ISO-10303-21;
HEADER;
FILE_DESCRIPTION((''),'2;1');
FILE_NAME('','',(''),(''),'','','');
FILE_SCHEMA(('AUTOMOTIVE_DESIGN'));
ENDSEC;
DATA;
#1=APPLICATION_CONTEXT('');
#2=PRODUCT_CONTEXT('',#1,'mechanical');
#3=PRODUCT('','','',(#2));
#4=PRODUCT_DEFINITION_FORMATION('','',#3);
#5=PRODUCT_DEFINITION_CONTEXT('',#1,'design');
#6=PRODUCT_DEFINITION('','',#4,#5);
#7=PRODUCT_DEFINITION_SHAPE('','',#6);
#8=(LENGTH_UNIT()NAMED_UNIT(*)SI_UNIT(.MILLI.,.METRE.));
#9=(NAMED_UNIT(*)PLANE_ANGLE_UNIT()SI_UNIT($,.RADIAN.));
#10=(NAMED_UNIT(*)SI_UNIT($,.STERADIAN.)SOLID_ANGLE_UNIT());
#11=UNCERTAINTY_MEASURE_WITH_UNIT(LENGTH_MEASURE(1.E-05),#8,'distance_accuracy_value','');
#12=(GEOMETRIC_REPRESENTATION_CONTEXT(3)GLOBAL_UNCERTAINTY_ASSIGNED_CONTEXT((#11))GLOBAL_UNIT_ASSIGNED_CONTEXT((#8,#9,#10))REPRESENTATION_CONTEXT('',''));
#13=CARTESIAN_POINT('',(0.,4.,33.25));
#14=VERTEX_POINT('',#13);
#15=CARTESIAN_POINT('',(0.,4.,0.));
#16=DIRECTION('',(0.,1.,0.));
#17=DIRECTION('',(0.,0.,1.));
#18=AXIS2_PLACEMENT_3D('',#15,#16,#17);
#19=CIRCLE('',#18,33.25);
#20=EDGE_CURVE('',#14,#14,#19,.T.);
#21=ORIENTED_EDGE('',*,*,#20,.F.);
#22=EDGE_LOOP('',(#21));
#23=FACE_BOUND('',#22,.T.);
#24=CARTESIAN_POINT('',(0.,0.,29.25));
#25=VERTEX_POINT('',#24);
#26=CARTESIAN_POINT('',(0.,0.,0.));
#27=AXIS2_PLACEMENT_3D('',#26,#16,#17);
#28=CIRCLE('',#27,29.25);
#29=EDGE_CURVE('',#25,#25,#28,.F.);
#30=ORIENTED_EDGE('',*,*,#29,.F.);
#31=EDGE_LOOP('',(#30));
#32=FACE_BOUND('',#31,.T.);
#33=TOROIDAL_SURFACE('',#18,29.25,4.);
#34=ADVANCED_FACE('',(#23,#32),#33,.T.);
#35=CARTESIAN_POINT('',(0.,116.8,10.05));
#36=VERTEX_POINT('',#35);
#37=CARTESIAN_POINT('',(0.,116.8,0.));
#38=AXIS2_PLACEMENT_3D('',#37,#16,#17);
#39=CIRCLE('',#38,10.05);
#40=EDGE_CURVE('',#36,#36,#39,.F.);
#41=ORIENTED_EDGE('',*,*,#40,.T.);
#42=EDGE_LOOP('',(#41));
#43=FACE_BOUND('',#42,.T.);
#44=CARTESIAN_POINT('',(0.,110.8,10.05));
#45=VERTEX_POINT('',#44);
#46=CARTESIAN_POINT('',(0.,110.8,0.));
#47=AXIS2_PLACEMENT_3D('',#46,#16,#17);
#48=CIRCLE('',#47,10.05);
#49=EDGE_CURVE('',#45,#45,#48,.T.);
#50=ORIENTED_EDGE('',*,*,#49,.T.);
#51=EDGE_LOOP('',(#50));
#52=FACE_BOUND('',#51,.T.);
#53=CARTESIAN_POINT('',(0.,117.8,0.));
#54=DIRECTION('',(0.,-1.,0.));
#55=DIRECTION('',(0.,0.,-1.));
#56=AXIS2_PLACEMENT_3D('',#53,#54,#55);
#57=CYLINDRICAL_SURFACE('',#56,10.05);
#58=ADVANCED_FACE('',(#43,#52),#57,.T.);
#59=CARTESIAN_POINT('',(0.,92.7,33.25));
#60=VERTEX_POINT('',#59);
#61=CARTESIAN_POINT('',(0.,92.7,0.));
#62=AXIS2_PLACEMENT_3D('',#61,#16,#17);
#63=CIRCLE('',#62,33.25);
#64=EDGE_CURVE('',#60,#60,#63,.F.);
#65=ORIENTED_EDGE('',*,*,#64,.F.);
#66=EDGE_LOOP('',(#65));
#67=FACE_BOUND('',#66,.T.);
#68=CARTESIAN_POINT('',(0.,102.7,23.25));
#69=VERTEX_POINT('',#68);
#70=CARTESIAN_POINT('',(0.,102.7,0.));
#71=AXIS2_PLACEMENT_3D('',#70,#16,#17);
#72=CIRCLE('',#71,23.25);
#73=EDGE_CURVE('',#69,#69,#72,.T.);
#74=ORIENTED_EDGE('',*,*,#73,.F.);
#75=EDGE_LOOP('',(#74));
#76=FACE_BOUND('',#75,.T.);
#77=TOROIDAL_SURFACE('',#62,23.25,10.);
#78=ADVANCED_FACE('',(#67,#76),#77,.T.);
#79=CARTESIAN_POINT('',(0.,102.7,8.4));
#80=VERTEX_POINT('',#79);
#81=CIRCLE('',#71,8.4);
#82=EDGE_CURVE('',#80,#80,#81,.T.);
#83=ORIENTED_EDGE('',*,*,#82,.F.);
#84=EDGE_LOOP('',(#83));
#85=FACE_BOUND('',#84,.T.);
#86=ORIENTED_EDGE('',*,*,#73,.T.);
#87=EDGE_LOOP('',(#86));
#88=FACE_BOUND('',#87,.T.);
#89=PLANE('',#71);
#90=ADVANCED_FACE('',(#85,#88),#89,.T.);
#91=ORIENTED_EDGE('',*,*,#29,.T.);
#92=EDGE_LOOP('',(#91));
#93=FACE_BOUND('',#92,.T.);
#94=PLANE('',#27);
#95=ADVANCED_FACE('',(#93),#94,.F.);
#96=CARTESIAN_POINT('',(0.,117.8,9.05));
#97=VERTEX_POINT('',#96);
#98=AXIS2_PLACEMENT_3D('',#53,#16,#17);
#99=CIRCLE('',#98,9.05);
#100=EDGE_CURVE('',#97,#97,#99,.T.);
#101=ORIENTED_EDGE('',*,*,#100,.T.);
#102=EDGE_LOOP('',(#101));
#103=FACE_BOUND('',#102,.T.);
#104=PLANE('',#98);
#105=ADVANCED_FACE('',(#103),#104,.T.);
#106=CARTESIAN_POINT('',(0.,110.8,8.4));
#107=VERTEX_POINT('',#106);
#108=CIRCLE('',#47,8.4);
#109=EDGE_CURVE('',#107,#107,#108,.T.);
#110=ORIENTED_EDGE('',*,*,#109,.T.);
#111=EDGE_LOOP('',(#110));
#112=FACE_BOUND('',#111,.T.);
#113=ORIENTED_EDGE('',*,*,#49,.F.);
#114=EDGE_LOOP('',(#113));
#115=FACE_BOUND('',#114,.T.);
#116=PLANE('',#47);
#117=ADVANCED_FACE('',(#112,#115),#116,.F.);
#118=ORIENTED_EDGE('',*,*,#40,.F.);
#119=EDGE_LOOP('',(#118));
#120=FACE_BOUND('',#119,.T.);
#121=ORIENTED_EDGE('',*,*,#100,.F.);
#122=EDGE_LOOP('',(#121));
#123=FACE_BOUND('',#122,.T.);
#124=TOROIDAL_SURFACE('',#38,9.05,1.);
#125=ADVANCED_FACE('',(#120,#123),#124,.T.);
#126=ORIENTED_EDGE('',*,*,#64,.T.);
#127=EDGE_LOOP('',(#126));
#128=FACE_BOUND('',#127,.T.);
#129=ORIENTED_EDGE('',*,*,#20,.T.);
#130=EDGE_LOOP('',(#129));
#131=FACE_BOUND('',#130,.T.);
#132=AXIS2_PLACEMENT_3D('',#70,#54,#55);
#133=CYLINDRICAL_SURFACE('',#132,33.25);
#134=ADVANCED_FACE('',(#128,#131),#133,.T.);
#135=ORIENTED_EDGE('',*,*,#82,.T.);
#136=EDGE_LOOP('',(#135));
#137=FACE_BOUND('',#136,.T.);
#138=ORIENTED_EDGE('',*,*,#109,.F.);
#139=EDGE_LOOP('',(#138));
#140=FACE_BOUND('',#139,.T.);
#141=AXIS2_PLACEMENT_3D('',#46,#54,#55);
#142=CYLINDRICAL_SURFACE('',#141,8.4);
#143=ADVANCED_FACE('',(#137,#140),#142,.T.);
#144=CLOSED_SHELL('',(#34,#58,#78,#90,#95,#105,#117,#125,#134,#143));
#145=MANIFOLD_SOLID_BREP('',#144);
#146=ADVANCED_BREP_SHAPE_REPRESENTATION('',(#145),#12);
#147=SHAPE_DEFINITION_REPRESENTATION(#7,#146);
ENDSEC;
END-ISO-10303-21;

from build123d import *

# Parameters (mm, degrees)
SKETCH1_R           = 33.25
BOSS_EXTRUDE1_DEPTH = 102.7
SKETCH2_R           = 10.05
BOSS_EXTRUDE2_DEPTH = 15.1
FILLET1_R           = 4
FILLET2_R           = 10
FILLET3_R           = 1
SKETCH4_R           = 10.05
SKETCH4_R_2         = 8.4
CUT_EXTRUDE1_DEPTH  = 8.1


with BuildPart() as part:
    # Sketch1 → Boss-Extrude1 (new body)
    with BuildSketch(Plane(origin=(0, 0, 0), x_dir=(1, 0, 0), z_dir=(0, 1, 0))):
        with Locations(Location((0, 0, 0), (0, 0, 270))):
            Circle(SKETCH1_R)
    extrude(amount=BOSS_EXTRUDE1_DEPTH)

    # Sketch2 → Boss-Extrude2 (add)
    with BuildSketch(Plane(origin=(0, 102.7, 0), x_dir=(1, 0, 0), z_dir=(0, 1, 0))):
        with Locations(Location((0, 0, 0), (0, 0, 270))):
            Circle(SKETCH2_R)
    extrude(amount=BOSS_EXTRUDE2_DEPTH)

    # Fillet1
    fillet1_edges = [part.edges().sort_by_distance(p)[0] for p in [
        (0, 0, -33.25),
    ]]
    fillet(fillet1_edges, radius=FILLET1_R)

    # Fillet2
    fillet2_edges = [part.edges().sort_by_distance(p)[0] for p in [
        (0, 102.7, -33.25),
    ]]
    fillet(fillet2_edges, radius=FILLET2_R)

    # Fillet3
    fillet3_edges = [part.edges().sort_by_distance(p)[0] for p in [
        (0, 117.8, -10.05),
    ]]
    fillet(fillet3_edges, radius=FILLET3_R)

    # Sketch4 → Cut-Extrude1 (cut)
    with BuildSketch(Plane(origin=(0, 102.7, 0), x_dir=(1, 0, 0), z_dir=(0, 1, 0))):
        with Locations(Location((0, 0, 0), (0, 0, 270))):
            Circle(SKETCH4_R)
        with Locations(Location((0, 0, 0), (0, 0, 270))):
            Circle(SKETCH4_R_2, mode=Mode.SUBTRACT)
    extrude(amount=CUT_EXTRUDE1_DEPTH, mode=Mode.SUBTRACT)


solid = part.part
